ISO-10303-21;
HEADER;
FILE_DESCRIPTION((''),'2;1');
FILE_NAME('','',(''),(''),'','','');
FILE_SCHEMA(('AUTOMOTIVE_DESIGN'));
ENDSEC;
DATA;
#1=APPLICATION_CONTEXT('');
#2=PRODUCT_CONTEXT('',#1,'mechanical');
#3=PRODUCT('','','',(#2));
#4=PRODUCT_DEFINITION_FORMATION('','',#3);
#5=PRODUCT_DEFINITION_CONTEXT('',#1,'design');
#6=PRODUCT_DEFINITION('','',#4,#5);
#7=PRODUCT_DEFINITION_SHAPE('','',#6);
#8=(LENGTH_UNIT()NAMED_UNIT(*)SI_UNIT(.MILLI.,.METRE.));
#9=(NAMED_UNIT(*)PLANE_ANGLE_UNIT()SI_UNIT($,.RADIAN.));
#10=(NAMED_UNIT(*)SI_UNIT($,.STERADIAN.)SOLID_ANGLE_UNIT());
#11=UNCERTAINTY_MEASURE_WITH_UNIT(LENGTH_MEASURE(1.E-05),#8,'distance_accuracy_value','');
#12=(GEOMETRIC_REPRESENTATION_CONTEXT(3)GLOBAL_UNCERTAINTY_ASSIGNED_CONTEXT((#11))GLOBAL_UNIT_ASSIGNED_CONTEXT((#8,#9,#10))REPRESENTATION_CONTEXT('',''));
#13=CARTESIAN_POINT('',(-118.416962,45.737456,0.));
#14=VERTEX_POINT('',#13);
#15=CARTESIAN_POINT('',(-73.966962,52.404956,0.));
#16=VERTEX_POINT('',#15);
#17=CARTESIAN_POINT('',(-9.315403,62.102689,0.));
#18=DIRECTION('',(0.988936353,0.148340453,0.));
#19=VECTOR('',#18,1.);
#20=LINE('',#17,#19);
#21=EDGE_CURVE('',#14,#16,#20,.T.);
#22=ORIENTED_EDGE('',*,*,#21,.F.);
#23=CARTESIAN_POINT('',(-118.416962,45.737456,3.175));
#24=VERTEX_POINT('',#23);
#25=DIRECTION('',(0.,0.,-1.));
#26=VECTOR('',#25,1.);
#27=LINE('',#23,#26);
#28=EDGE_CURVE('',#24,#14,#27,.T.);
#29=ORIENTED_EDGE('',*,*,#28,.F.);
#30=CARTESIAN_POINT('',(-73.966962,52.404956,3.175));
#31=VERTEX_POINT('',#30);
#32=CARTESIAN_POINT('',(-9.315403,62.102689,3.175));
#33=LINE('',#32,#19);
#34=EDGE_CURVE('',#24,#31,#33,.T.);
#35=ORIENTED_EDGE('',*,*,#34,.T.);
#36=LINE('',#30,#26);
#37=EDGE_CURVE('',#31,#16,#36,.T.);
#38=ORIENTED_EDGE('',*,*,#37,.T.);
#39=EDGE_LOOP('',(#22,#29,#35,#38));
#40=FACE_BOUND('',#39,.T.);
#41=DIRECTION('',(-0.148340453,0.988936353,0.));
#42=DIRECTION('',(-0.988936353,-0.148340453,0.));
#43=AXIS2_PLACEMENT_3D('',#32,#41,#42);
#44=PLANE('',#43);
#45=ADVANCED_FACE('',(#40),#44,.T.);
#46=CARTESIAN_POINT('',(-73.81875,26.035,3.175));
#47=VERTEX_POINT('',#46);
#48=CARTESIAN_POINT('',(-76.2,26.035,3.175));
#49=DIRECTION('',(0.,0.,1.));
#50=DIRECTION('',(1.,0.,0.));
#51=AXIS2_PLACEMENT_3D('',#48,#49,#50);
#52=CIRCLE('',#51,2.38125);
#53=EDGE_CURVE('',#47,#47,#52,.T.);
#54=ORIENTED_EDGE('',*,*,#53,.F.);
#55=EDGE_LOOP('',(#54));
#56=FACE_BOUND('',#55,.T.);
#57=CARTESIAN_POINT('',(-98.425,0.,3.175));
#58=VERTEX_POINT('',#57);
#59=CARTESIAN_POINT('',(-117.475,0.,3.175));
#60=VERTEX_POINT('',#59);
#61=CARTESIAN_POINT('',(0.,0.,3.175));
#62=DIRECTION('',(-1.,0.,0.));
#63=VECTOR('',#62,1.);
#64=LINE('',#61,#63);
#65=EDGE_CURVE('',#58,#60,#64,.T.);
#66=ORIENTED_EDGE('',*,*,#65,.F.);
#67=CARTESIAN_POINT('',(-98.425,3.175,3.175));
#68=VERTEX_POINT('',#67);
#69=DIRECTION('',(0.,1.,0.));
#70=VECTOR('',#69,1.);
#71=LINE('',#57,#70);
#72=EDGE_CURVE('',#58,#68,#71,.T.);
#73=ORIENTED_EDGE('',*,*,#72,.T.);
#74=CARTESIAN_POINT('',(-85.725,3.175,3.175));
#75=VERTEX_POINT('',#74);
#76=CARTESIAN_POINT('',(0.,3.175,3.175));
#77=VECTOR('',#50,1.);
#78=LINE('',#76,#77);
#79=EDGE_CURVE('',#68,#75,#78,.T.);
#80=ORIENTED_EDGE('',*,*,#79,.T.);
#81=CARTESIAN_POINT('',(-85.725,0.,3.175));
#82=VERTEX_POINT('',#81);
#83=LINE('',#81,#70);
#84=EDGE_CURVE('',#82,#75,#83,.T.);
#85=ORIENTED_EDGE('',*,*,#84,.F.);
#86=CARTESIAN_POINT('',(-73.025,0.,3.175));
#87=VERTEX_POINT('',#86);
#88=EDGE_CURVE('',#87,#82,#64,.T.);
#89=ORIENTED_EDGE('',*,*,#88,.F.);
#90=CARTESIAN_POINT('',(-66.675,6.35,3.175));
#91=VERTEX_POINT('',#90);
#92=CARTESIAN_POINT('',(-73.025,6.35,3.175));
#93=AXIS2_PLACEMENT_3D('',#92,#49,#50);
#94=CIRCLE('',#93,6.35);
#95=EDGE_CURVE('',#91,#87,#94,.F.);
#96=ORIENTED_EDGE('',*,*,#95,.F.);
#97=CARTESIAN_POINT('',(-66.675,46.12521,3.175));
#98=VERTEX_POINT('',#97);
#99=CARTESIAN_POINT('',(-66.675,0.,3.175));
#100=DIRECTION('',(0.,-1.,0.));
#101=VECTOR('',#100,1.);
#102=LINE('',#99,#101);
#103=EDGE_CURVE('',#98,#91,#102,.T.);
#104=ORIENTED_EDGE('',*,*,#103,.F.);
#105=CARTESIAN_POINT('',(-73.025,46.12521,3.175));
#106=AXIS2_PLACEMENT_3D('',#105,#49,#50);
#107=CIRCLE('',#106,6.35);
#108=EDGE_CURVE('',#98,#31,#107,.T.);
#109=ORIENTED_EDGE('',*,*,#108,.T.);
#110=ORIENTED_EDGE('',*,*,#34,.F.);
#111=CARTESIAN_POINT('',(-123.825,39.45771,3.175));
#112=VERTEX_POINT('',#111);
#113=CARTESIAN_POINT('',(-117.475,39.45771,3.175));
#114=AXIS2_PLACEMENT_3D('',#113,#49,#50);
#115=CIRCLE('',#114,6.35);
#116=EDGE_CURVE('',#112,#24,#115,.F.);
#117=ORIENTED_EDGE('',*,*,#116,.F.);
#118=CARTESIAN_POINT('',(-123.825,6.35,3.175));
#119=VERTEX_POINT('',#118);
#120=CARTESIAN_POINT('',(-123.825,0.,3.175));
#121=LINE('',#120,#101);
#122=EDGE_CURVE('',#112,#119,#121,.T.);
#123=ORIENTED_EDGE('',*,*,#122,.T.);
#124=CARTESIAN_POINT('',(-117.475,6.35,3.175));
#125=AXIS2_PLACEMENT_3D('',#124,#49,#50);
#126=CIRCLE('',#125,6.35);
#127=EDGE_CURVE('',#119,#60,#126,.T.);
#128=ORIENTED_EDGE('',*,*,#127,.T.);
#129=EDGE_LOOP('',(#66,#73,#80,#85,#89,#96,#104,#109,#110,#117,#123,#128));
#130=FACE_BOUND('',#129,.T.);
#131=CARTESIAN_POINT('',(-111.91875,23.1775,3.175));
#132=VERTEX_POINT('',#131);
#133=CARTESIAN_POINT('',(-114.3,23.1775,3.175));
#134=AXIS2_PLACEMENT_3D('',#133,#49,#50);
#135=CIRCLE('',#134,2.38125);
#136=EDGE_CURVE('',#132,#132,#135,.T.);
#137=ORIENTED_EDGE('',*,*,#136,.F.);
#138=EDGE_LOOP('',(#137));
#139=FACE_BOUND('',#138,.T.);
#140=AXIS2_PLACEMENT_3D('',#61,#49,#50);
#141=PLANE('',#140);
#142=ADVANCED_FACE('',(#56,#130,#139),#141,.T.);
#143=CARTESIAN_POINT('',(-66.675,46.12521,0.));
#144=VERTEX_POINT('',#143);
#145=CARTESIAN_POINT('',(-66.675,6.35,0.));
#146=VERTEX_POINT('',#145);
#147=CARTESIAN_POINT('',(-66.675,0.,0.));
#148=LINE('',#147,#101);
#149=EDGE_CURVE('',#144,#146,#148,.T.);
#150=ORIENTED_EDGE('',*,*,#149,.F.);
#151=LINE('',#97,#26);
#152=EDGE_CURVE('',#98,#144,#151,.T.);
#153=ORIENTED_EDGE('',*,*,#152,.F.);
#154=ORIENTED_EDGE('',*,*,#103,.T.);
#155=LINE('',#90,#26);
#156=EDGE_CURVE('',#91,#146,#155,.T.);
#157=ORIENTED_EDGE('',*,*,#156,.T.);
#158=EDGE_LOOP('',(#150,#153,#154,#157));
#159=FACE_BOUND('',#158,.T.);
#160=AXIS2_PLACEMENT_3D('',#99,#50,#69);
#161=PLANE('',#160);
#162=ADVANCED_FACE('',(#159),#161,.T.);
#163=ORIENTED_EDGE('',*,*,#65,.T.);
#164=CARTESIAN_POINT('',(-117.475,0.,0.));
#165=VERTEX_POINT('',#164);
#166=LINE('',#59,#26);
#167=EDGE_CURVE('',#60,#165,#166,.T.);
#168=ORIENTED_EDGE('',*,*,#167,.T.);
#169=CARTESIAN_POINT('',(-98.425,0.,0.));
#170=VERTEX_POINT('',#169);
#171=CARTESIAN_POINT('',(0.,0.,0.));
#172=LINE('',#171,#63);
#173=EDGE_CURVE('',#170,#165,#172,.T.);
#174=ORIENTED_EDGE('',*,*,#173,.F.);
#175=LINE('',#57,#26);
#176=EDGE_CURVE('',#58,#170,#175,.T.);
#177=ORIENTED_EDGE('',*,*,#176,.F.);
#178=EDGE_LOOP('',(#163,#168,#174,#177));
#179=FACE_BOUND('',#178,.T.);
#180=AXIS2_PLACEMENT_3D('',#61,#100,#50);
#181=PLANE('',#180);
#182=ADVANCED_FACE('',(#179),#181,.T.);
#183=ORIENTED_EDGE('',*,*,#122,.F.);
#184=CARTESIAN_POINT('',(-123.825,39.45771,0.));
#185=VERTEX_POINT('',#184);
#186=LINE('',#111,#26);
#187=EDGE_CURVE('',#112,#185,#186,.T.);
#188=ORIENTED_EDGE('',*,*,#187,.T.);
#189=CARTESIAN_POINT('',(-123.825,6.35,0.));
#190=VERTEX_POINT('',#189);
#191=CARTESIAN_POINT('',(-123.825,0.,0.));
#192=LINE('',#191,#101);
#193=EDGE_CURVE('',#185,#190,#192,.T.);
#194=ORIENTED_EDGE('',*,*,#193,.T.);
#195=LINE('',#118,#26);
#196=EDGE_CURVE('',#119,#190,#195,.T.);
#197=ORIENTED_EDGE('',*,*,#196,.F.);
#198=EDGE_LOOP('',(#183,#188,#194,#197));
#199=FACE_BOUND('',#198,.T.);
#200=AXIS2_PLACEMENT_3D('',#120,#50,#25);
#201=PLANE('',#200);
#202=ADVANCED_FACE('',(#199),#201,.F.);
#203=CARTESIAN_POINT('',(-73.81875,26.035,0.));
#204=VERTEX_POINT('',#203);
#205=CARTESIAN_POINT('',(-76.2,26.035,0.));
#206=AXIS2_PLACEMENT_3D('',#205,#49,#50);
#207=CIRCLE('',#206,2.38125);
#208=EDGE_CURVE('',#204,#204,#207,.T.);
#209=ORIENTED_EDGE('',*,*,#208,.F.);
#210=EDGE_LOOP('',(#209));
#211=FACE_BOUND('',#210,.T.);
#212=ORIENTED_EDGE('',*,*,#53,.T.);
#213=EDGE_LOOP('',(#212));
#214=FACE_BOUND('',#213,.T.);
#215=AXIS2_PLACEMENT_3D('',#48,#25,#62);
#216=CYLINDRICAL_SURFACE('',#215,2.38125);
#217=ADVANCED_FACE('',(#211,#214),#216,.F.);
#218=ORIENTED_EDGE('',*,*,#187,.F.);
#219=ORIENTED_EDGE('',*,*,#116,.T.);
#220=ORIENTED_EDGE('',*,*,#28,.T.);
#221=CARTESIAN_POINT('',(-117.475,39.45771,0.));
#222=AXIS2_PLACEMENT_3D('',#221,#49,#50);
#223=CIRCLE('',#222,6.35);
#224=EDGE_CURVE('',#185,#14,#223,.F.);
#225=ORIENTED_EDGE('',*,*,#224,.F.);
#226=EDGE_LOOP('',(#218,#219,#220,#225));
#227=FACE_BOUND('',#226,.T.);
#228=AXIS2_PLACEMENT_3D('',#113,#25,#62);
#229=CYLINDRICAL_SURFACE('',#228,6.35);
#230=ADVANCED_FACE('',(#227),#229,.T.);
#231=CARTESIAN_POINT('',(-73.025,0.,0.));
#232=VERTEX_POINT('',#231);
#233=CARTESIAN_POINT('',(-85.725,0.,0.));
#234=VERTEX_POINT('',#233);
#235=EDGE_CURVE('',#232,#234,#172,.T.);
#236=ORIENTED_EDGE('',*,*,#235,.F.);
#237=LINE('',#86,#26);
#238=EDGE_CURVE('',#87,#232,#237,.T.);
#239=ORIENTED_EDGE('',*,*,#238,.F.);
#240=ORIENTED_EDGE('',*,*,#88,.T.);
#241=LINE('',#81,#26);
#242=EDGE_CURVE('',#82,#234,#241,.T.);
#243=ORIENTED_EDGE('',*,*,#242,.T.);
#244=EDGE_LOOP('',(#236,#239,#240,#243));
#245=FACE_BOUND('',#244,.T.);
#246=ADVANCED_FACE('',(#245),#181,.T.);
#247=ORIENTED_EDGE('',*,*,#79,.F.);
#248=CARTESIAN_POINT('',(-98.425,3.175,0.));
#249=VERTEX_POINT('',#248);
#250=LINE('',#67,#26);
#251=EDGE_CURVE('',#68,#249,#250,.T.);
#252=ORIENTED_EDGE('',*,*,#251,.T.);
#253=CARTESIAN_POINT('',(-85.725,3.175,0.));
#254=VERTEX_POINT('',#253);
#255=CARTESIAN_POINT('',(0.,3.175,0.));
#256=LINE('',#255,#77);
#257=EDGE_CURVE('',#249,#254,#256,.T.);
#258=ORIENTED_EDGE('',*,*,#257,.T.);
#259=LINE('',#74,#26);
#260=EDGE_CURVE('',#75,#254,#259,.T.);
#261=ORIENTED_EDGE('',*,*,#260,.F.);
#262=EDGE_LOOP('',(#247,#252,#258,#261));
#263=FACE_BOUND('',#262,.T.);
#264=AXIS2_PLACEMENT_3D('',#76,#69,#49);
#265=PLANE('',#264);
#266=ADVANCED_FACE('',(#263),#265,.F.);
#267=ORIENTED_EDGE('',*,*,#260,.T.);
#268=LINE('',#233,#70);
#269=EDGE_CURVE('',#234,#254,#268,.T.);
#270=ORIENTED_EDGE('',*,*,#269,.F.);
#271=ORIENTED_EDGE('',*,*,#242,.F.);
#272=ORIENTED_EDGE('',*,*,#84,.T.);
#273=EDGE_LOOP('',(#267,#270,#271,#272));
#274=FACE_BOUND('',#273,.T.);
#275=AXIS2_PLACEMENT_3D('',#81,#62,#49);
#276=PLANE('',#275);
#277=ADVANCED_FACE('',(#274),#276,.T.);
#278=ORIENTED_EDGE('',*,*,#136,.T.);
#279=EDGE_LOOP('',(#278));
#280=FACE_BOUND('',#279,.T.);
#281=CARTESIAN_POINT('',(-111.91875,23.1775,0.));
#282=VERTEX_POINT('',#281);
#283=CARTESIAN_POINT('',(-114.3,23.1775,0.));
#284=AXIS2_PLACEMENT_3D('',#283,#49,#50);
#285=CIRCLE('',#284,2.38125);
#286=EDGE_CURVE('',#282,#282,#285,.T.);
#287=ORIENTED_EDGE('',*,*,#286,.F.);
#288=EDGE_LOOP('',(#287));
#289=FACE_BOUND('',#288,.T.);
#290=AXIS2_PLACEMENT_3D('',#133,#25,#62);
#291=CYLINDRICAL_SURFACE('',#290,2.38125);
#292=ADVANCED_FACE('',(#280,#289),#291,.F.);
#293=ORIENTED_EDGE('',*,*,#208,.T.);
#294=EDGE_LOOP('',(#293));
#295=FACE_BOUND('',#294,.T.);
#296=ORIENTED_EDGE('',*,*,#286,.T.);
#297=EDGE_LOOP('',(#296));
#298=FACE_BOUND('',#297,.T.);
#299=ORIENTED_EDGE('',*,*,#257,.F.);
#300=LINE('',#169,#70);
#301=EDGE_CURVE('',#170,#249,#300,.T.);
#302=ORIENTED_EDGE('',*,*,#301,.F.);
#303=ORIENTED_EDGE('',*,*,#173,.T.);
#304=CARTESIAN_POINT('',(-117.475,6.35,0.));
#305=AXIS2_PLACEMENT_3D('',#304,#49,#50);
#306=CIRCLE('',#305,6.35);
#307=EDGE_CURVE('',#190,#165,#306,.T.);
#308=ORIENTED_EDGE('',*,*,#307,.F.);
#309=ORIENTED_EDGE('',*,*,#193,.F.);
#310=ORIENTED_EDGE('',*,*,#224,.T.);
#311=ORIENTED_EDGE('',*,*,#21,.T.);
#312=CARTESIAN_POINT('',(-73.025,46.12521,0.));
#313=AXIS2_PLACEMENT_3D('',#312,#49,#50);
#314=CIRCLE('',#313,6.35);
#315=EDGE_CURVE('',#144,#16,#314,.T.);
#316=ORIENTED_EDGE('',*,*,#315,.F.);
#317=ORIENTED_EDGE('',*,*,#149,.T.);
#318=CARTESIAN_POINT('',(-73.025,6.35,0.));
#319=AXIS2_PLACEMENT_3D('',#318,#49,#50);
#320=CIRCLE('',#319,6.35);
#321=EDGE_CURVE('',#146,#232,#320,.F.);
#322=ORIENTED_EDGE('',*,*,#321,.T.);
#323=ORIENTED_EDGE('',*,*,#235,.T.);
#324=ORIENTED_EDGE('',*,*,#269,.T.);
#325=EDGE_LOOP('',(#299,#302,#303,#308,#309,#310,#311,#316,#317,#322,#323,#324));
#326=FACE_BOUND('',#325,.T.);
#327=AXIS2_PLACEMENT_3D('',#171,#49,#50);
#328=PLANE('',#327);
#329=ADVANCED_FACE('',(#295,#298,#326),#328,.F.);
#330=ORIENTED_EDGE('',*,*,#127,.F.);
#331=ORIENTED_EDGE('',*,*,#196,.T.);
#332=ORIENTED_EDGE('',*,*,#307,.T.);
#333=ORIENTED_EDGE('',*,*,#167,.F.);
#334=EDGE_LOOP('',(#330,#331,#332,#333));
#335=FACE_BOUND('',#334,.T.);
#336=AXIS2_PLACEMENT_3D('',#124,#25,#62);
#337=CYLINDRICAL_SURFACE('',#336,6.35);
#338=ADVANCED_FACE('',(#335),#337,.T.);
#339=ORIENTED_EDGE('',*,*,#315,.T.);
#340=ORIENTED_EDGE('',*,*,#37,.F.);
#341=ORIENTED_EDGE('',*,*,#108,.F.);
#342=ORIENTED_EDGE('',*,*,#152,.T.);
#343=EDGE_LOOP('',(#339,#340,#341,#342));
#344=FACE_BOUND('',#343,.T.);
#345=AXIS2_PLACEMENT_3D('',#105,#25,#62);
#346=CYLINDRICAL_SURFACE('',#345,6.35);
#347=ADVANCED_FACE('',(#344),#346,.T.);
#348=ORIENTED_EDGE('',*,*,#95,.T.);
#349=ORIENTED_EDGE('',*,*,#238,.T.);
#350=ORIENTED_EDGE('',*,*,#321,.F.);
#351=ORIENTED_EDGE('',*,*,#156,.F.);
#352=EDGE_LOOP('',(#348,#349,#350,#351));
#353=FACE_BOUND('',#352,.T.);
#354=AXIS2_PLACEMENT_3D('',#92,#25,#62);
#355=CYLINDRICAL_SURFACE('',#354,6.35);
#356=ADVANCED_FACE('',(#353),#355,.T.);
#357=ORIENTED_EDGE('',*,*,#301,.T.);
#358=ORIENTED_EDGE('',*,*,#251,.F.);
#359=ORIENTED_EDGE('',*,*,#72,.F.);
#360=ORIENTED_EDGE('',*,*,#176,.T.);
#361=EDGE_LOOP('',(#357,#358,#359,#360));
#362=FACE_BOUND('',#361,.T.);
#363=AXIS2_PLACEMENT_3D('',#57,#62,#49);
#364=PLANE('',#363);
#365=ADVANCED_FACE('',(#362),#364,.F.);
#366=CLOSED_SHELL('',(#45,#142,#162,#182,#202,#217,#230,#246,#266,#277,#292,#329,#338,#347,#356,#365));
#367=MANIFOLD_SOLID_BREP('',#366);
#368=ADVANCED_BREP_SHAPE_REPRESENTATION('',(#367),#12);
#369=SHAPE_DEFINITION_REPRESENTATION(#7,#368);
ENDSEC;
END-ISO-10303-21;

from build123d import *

# Parameters (mm, degrees)
BOSS_EXTRUDE1_DEPTH = 3.175


with BuildPart() as part:
    # Sketch1 → Boss-Extrude1 (new body)
    with BuildSketch(Plane.XY):
        with BuildLine():
            Line((-114.3, 46.355), (-118.416961876, 45.737455719))
            ThreePointArc((-118.416961876, 45.737455719), (-122.286650336, 43.601442621), (-123.825, 39.457709878))
            Line((-123.825, 39.457709878), (-123.825, 6.35))
            ThreePointArc((-123.825, 6.35), (-121.965128061, 1.859871939), (-117.475, 0))
            Line((-117.475, 0), (-114.3, 0))
            Line((-114.3, 0), (-114.3, 20.79625))
            ThreePointArc((-114.3, 20.79625), (-116.68125, 23.1775), (-114.3, 25.55875))
            Line((-114.3, 25.55875), (-114.3, 46.355))
        make_face()
        with BuildLine():
            Line((-76.2, 52.07), (-114.3, 46.355))
            Line((-114.3, 46.355), (-114.3, 25.55875))
            ThreePointArc((-114.3, 25.55875), (-112.616201977, 24.861298023), (-111.91875, 23.1775))
            ThreePointArc((-111.91875, 23.1775), (-112.616201977, 21.493701977), (-114.3, 20.79625))
            Line((-114.3, 20.79625), (-114.3, 0))
            Line((-114.3, 0), (-98.425, 0))
            Line((-98.425, 0), (-98.425, 3.175))
            Line((-98.425, 3.175), (-85.725, 3.175))
            Line((-85.725, 3.175), (-85.725, 0))
            Line((-85.725, 0), (-76.2, 0))
            Line((-76.2, 0), (-76.2, 23.65375))
            ThreePointArc((-76.2, 23.65375), (-78.58125, 26.035), (-76.2, 28.41625))
            Line((-76.2, 28.41625), (-76.2, 52.07))
        make_face()
        with BuildLine():
            Line((-73.966961876, 52.404955719), (-76.2, 52.07))
            Line((-76.2, 52.07), (-76.2, 28.41625))
            ThreePointArc((-76.2, 28.41625), (-74.516201977, 27.718798023), (-73.81875, 26.035))
            ThreePointArc((-73.81875, 26.035), (-74.516201977, 24.351201977), (-76.2, 23.65375))
            Line((-76.2, 23.65375), (-76.2, 0))
            Line((-76.2, 0), (-73.025, 0))
            ThreePointArc((-73.025, 0), (-68.534871939, 1.859871939), (-66.675, 6.35))
            Line((-66.675, 6.35), (-66.675, 46.125209878))
            ThreePointArc((-66.675, 46.125209878), (-68.881267257, 50.936860214), (-73.966961876, 52.404955719))
        make_face()
    extrude(amount=BOSS_EXTRUDE1_DEPTH)


solid = part.part
